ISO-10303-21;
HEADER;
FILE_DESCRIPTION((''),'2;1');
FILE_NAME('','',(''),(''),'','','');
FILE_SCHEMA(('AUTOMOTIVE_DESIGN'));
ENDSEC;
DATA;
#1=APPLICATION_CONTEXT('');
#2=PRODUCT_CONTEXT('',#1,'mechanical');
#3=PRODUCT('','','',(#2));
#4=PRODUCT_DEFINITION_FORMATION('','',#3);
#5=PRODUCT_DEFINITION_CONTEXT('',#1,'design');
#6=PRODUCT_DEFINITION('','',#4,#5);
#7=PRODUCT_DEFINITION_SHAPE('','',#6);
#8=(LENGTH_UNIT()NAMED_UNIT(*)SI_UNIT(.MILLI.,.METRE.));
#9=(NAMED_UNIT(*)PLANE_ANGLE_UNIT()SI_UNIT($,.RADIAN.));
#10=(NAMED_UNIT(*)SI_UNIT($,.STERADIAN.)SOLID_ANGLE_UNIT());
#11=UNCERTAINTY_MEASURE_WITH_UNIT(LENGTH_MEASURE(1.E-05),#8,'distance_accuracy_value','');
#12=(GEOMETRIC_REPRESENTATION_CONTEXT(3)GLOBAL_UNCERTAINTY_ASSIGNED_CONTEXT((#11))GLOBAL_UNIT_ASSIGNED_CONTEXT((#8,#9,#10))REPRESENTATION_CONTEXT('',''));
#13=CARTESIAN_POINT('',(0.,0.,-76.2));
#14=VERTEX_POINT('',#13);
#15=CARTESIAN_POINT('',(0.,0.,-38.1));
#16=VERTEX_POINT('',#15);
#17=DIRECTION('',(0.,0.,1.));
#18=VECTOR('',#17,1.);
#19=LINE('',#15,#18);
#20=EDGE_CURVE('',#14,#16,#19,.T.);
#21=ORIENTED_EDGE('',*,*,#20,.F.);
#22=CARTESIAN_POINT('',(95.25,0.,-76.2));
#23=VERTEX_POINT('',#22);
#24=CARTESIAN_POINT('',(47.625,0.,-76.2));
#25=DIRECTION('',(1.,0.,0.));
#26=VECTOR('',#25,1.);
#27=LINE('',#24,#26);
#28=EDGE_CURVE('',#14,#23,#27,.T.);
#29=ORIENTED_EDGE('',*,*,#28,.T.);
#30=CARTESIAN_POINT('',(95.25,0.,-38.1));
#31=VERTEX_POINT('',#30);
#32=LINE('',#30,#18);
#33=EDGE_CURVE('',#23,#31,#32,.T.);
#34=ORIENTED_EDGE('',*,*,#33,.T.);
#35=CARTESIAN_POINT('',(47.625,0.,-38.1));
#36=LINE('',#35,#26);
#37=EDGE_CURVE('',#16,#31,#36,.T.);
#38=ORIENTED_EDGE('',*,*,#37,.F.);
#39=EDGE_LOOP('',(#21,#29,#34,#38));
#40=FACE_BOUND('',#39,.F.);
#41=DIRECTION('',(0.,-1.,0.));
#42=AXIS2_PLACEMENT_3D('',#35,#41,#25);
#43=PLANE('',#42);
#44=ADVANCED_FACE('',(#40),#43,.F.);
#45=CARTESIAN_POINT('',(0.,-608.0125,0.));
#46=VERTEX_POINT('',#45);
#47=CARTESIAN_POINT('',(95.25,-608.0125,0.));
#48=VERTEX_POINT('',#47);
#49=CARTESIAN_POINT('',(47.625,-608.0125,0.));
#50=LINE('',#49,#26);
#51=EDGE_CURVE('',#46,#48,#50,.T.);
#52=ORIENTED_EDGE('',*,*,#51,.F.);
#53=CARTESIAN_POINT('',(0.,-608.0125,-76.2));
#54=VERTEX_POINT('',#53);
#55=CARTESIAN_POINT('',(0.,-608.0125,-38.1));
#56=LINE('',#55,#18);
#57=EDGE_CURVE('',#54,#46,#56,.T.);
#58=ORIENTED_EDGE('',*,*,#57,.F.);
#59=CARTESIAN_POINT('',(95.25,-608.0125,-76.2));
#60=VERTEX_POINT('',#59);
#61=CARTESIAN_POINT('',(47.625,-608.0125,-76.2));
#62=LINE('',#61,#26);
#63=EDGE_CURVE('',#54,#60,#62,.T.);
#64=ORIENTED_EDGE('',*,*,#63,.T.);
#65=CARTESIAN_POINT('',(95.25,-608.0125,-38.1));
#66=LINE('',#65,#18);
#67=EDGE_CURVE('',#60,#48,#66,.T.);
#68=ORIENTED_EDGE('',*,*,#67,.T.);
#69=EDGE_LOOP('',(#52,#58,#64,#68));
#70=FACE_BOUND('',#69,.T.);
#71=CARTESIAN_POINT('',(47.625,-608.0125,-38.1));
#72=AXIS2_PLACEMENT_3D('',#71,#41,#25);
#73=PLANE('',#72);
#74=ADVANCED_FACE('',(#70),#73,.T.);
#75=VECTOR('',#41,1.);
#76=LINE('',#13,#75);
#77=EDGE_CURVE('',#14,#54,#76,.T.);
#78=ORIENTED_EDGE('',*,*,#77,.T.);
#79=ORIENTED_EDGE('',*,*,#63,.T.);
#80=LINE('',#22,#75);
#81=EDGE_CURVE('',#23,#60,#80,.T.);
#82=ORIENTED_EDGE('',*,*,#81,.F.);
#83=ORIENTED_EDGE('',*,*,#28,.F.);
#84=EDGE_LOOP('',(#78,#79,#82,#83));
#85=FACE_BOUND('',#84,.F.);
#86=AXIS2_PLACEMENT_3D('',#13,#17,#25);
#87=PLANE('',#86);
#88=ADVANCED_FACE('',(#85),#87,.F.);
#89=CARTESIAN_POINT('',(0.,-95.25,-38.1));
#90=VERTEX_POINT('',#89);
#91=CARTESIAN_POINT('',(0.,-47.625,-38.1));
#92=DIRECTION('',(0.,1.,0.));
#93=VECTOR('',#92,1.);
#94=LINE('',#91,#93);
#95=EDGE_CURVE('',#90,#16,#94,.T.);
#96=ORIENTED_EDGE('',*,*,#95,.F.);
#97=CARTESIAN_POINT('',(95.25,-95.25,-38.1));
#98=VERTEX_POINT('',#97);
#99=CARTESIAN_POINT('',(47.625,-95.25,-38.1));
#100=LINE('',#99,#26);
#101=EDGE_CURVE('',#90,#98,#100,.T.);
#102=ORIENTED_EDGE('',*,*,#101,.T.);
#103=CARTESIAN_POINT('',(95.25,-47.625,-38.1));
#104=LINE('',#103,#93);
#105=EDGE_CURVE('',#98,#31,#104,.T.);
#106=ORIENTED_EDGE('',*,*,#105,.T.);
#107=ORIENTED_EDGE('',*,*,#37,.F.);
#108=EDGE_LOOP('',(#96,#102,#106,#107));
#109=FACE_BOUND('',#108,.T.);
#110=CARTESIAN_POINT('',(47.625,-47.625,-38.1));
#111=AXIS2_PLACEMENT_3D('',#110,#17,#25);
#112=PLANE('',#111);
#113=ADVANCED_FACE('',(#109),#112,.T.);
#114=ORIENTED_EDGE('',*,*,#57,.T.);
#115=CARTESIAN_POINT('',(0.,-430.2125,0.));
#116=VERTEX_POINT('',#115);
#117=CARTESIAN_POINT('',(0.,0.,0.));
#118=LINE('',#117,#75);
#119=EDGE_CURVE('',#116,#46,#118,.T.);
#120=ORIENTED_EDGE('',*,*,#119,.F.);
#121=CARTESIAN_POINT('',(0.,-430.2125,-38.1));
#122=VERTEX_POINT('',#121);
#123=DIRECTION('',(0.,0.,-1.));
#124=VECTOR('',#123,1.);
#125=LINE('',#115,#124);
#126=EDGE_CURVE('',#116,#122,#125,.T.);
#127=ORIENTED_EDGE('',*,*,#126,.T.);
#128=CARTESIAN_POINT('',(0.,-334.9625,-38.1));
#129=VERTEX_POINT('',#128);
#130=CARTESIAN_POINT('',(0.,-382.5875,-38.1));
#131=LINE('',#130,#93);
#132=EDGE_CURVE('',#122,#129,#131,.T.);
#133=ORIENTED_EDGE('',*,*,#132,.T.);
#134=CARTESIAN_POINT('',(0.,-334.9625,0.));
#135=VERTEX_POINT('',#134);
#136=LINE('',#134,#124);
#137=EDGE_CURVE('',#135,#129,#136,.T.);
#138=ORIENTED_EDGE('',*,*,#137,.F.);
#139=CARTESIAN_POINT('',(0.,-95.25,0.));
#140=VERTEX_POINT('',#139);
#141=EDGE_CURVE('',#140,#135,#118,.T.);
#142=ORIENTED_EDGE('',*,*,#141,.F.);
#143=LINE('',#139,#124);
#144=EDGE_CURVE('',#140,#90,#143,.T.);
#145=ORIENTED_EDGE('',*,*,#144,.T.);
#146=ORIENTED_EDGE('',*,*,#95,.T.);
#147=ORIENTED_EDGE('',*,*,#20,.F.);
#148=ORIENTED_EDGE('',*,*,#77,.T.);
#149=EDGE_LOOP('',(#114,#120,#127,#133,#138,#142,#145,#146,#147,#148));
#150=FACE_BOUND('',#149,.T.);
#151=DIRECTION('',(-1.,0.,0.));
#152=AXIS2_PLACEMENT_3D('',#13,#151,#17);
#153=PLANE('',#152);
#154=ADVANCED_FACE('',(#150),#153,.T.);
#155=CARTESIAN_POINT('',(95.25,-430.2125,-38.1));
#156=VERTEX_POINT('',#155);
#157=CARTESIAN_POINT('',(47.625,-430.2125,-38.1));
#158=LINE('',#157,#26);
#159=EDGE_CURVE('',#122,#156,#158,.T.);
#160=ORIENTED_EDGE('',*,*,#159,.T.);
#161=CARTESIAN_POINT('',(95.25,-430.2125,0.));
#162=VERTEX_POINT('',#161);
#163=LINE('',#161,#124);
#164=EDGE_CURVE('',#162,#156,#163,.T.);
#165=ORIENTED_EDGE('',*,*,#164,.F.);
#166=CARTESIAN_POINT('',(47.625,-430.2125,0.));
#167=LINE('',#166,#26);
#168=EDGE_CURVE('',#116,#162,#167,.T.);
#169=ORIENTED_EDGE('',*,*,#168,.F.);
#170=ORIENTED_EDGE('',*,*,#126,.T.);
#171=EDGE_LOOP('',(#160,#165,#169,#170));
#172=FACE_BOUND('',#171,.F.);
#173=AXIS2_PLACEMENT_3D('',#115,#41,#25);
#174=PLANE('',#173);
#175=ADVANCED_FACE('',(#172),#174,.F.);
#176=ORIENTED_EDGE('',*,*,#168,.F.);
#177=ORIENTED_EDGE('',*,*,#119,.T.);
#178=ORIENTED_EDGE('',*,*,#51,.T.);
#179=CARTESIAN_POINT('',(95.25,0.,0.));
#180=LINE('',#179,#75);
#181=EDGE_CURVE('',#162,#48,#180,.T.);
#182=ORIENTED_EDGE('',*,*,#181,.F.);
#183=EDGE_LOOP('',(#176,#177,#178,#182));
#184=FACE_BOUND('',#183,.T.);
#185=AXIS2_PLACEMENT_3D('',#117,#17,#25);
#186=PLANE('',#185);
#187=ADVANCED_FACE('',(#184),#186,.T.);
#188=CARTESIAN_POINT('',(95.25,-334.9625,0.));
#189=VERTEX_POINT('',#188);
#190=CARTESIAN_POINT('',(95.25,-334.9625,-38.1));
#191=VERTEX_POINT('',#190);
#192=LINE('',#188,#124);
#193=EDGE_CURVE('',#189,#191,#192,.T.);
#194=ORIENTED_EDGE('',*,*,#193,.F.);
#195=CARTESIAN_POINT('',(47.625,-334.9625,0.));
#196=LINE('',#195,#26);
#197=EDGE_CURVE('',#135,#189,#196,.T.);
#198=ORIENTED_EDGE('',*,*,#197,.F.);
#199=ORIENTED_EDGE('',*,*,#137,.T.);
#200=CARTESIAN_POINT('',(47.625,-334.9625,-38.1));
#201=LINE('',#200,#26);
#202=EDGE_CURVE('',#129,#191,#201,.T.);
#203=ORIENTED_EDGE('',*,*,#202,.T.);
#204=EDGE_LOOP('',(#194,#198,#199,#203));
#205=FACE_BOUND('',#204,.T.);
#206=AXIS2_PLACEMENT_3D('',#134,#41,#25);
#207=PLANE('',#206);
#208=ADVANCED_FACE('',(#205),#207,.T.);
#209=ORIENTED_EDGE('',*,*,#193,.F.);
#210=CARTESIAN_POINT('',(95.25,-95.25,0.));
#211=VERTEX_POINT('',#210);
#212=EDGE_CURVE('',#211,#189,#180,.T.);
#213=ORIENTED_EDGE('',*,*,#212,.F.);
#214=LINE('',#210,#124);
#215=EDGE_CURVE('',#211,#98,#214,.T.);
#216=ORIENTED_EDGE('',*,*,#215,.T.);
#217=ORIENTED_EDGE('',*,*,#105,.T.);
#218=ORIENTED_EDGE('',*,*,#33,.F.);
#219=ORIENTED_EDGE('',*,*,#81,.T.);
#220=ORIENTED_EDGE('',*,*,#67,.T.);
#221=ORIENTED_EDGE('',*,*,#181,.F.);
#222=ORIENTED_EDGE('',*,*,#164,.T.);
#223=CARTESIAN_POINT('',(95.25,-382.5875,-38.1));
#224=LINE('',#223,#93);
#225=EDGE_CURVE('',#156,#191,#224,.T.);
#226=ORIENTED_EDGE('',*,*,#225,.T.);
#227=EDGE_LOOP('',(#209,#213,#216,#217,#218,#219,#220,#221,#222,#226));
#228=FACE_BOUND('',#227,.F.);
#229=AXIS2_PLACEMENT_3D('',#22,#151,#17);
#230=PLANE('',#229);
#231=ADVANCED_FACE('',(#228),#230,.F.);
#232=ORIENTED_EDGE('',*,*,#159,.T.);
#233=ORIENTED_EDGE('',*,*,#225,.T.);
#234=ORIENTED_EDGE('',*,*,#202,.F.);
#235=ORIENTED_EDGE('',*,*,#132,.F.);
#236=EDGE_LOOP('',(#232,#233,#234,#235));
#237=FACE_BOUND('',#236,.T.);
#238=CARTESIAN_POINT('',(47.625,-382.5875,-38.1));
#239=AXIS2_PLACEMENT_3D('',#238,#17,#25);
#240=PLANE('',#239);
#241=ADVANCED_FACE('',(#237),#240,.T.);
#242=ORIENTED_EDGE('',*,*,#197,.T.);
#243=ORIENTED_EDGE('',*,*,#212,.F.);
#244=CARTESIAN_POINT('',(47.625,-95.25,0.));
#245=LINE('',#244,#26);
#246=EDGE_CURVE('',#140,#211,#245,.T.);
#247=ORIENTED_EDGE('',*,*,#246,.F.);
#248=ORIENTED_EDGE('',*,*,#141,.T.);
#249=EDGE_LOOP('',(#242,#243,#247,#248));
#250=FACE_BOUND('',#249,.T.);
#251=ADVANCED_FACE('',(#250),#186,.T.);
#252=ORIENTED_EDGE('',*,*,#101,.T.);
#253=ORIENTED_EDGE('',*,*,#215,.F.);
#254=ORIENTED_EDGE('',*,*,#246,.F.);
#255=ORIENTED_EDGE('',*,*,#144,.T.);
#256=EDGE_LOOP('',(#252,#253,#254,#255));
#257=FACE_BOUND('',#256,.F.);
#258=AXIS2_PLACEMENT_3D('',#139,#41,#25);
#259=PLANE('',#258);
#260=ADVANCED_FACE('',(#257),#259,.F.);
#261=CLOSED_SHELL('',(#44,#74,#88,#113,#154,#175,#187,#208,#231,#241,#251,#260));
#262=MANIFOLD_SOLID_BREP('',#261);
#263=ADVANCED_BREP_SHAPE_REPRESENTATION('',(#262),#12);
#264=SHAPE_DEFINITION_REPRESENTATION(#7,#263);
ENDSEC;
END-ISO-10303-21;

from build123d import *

# Parameters (mm, degrees)
F0_W     = 95.25
F0_H     = 76.2
F1_DEPTH = 608.0125
F2_W     = 95.25
F2_H     = 95.25
F3_DEPTH = 38.1


with BuildPart() as f1:
    # F0 (on Front) → F1 (new body)
    with BuildSketch(Plane.XZ):
        with Locations((47.625, -38.1)):
            Rectangle(F0_W, F0_H)
    extrude(amount=F1_DEPTH)

    # F2 (on face) → F3 (cut)
    with BuildSketch(Plane.XY):
        with Locations((47.625, -47.625)):
            Rectangle(F2_W, F2_H)
        with Locations((47.625, -382.5875)):
            Rectangle(F2_W, F2_H)
    extrude(amount=-F3_DEPTH, mode=Mode.SUBTRACT)


solid = f1.part
